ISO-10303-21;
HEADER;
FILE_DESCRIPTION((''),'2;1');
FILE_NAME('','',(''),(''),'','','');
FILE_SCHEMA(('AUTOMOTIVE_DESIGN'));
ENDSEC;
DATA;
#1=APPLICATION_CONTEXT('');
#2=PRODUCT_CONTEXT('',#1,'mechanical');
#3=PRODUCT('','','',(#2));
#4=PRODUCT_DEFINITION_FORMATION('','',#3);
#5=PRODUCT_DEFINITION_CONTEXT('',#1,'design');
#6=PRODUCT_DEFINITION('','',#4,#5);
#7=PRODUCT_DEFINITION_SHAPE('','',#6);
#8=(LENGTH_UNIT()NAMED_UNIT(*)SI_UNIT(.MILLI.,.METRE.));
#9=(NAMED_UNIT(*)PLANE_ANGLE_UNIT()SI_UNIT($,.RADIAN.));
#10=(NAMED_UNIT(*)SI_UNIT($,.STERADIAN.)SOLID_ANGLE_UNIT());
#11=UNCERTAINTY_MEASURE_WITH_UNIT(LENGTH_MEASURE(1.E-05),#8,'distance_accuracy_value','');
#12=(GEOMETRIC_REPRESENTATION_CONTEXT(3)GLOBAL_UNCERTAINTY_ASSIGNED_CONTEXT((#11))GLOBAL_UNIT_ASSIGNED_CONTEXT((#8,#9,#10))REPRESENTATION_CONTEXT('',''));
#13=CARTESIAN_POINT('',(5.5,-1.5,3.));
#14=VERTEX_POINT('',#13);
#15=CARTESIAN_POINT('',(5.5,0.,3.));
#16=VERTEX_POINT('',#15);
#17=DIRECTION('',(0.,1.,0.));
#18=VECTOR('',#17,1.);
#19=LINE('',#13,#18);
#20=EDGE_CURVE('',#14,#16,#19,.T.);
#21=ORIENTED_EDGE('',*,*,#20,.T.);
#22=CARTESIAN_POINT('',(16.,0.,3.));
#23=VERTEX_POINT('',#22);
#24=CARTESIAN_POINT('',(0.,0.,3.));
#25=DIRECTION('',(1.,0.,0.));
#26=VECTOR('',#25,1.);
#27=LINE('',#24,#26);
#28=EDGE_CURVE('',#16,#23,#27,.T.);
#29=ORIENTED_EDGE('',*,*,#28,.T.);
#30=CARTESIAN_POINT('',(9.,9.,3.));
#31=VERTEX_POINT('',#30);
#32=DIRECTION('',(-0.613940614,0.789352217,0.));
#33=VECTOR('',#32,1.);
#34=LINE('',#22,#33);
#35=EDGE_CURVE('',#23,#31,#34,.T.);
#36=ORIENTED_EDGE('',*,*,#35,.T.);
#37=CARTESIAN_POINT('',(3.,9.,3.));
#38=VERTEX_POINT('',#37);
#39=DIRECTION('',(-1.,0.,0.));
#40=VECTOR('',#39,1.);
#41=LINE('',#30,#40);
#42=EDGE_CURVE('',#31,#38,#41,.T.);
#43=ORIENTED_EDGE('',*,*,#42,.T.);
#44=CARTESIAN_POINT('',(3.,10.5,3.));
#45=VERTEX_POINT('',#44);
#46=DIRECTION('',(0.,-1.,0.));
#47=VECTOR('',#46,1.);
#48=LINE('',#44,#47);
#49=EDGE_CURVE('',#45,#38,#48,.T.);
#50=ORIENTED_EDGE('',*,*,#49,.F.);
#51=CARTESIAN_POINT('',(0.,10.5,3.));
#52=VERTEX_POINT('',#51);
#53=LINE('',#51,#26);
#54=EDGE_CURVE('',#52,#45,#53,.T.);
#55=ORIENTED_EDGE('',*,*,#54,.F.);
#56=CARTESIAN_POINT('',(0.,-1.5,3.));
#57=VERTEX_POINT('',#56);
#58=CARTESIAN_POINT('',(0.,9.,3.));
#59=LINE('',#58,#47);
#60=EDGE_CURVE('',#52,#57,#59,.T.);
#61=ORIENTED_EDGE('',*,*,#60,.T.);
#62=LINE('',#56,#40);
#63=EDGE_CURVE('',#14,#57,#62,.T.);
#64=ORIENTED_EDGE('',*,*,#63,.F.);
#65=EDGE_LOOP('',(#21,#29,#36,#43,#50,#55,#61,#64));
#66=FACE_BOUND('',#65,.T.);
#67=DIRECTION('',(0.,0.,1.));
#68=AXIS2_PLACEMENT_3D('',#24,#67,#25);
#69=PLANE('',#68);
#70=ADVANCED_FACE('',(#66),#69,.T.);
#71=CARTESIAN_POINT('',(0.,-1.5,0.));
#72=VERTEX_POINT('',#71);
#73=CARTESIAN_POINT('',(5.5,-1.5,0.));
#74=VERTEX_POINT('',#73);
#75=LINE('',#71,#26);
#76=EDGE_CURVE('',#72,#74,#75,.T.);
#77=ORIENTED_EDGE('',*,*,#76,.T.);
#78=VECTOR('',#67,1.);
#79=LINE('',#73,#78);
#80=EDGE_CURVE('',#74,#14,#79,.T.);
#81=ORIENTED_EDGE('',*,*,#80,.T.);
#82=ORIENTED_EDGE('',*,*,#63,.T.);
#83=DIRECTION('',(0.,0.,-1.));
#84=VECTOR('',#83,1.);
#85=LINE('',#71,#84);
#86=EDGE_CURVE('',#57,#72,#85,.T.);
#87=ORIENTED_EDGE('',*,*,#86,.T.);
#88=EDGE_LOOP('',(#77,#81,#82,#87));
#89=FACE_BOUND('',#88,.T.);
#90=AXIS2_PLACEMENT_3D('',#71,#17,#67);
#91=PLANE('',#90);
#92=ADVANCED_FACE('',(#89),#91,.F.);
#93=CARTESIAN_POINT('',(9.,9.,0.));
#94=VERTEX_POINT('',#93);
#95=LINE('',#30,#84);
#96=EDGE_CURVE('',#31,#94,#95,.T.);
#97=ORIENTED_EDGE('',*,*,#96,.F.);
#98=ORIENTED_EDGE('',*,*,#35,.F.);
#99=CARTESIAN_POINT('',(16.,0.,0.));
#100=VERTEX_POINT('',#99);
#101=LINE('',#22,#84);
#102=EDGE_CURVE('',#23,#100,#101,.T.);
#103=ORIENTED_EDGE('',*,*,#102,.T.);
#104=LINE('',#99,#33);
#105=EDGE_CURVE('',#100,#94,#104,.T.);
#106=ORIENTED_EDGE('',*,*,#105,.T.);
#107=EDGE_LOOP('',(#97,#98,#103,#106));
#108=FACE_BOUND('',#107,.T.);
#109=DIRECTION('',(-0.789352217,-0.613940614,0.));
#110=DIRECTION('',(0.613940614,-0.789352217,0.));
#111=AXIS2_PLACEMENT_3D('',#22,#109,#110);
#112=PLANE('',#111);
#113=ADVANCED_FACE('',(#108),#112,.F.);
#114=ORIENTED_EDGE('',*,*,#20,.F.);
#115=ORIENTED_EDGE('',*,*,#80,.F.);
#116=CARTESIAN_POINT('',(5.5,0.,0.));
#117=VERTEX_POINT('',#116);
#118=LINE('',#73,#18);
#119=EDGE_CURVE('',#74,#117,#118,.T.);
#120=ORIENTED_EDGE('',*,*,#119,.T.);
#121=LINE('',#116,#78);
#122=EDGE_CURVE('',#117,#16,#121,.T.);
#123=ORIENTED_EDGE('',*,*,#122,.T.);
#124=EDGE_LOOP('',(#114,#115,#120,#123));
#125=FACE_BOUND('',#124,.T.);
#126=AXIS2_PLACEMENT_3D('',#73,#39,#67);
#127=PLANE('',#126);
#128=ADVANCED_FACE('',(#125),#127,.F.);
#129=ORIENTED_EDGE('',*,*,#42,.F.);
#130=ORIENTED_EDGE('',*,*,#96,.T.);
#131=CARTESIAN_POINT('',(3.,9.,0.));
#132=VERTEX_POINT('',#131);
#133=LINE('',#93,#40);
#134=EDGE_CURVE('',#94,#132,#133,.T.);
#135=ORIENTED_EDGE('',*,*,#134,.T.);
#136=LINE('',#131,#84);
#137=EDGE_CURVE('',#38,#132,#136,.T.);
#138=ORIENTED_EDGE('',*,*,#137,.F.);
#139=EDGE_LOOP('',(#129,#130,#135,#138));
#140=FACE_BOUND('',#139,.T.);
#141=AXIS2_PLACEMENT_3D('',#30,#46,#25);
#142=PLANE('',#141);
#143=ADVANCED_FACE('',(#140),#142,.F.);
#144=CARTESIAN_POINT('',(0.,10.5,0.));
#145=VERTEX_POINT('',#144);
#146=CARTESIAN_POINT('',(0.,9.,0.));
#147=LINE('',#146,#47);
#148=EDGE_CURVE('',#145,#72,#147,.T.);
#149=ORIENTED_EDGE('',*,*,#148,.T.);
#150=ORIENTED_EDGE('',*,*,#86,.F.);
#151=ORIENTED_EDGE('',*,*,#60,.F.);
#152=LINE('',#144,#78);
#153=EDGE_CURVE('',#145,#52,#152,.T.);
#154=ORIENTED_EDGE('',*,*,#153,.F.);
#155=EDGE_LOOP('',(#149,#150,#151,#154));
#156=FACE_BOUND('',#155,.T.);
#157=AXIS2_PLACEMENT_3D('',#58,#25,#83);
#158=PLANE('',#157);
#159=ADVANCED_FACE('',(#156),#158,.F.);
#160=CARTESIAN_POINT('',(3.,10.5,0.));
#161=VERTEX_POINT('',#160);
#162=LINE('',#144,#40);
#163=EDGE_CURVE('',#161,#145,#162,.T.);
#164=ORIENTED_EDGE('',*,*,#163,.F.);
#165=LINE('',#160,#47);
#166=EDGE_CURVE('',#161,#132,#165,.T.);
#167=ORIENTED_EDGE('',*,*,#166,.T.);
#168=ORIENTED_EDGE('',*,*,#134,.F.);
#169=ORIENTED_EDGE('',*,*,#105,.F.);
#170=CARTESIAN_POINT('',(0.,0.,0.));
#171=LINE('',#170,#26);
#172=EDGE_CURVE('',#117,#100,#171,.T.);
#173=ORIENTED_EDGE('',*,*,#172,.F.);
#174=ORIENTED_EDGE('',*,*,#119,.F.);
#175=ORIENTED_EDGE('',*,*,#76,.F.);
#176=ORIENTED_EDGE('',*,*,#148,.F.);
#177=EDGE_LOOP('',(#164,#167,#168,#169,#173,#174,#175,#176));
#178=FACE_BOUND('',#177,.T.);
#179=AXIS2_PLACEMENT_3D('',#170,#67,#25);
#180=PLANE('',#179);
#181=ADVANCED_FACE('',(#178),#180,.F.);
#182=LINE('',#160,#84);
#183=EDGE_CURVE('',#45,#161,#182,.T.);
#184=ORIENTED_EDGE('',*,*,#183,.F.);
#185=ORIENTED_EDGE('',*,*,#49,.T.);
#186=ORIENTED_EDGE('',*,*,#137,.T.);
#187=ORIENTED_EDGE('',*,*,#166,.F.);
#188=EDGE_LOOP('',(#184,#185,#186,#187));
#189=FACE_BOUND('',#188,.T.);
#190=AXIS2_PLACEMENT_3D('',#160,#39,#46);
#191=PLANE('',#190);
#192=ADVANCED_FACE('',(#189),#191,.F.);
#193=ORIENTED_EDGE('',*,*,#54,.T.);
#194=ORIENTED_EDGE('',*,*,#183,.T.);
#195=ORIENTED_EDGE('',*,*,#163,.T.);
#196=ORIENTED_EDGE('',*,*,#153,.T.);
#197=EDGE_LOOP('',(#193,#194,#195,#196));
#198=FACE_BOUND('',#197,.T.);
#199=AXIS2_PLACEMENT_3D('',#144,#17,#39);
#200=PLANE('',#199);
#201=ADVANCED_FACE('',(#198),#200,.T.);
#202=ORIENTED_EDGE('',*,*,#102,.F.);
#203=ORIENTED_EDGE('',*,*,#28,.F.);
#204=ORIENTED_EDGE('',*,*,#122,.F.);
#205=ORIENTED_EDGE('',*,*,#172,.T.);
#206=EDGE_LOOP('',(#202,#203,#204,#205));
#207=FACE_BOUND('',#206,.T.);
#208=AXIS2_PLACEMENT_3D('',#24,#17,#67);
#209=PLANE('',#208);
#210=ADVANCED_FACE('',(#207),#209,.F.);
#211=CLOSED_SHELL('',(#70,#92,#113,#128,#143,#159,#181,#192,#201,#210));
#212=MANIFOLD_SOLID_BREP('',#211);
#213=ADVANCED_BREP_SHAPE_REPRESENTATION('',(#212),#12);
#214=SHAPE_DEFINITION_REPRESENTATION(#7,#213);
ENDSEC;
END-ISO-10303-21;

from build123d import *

# Parameters (mm, degrees)
EXTRUDE_1_DEPTH = 3
SKETCH_2_W      = 3
SKETCH_2_H      = 3
EXTRUDE_2_DEPTH = 1.5
SKETCH_3_W      = 5.5
SKETCH_3_H      = 3
EXTRUDE_3_DEPTH = 1.5


with BuildPart() as part:
    # Эскиз1 → Бобышка-Вытянуть1 (new body)
    with BuildSketch(Plane.XY):
        Polygon((0, 9), (0, 0), (16, 0), (9, 9), align=None)
    extrude(amount=EXTRUDE_1_DEPTH)

    # Эскиз2 → Бобышка-Вытянуть2 (add)
    with BuildSketch(Plane(origin=(0, 9, 0), x_dir=(1, 0, 0), z_dir=(0, 1, 0))):
        with Locations((1.5, -1.5)):
            Rectangle(SKETCH_2_W, SKETCH_2_H)
    extrude(amount=EXTRUDE_2_DEPTH)

    # Эскиз3 → Бобышка-Вытянуть3 (add)
    with BuildSketch(Plane.XZ):
        with Locations((2.75, 1.5)):
            Rectangle(SKETCH_3_W, SKETCH_3_H)
    extrude(amount=EXTRUDE_3_DEPTH)


solid = part.part
